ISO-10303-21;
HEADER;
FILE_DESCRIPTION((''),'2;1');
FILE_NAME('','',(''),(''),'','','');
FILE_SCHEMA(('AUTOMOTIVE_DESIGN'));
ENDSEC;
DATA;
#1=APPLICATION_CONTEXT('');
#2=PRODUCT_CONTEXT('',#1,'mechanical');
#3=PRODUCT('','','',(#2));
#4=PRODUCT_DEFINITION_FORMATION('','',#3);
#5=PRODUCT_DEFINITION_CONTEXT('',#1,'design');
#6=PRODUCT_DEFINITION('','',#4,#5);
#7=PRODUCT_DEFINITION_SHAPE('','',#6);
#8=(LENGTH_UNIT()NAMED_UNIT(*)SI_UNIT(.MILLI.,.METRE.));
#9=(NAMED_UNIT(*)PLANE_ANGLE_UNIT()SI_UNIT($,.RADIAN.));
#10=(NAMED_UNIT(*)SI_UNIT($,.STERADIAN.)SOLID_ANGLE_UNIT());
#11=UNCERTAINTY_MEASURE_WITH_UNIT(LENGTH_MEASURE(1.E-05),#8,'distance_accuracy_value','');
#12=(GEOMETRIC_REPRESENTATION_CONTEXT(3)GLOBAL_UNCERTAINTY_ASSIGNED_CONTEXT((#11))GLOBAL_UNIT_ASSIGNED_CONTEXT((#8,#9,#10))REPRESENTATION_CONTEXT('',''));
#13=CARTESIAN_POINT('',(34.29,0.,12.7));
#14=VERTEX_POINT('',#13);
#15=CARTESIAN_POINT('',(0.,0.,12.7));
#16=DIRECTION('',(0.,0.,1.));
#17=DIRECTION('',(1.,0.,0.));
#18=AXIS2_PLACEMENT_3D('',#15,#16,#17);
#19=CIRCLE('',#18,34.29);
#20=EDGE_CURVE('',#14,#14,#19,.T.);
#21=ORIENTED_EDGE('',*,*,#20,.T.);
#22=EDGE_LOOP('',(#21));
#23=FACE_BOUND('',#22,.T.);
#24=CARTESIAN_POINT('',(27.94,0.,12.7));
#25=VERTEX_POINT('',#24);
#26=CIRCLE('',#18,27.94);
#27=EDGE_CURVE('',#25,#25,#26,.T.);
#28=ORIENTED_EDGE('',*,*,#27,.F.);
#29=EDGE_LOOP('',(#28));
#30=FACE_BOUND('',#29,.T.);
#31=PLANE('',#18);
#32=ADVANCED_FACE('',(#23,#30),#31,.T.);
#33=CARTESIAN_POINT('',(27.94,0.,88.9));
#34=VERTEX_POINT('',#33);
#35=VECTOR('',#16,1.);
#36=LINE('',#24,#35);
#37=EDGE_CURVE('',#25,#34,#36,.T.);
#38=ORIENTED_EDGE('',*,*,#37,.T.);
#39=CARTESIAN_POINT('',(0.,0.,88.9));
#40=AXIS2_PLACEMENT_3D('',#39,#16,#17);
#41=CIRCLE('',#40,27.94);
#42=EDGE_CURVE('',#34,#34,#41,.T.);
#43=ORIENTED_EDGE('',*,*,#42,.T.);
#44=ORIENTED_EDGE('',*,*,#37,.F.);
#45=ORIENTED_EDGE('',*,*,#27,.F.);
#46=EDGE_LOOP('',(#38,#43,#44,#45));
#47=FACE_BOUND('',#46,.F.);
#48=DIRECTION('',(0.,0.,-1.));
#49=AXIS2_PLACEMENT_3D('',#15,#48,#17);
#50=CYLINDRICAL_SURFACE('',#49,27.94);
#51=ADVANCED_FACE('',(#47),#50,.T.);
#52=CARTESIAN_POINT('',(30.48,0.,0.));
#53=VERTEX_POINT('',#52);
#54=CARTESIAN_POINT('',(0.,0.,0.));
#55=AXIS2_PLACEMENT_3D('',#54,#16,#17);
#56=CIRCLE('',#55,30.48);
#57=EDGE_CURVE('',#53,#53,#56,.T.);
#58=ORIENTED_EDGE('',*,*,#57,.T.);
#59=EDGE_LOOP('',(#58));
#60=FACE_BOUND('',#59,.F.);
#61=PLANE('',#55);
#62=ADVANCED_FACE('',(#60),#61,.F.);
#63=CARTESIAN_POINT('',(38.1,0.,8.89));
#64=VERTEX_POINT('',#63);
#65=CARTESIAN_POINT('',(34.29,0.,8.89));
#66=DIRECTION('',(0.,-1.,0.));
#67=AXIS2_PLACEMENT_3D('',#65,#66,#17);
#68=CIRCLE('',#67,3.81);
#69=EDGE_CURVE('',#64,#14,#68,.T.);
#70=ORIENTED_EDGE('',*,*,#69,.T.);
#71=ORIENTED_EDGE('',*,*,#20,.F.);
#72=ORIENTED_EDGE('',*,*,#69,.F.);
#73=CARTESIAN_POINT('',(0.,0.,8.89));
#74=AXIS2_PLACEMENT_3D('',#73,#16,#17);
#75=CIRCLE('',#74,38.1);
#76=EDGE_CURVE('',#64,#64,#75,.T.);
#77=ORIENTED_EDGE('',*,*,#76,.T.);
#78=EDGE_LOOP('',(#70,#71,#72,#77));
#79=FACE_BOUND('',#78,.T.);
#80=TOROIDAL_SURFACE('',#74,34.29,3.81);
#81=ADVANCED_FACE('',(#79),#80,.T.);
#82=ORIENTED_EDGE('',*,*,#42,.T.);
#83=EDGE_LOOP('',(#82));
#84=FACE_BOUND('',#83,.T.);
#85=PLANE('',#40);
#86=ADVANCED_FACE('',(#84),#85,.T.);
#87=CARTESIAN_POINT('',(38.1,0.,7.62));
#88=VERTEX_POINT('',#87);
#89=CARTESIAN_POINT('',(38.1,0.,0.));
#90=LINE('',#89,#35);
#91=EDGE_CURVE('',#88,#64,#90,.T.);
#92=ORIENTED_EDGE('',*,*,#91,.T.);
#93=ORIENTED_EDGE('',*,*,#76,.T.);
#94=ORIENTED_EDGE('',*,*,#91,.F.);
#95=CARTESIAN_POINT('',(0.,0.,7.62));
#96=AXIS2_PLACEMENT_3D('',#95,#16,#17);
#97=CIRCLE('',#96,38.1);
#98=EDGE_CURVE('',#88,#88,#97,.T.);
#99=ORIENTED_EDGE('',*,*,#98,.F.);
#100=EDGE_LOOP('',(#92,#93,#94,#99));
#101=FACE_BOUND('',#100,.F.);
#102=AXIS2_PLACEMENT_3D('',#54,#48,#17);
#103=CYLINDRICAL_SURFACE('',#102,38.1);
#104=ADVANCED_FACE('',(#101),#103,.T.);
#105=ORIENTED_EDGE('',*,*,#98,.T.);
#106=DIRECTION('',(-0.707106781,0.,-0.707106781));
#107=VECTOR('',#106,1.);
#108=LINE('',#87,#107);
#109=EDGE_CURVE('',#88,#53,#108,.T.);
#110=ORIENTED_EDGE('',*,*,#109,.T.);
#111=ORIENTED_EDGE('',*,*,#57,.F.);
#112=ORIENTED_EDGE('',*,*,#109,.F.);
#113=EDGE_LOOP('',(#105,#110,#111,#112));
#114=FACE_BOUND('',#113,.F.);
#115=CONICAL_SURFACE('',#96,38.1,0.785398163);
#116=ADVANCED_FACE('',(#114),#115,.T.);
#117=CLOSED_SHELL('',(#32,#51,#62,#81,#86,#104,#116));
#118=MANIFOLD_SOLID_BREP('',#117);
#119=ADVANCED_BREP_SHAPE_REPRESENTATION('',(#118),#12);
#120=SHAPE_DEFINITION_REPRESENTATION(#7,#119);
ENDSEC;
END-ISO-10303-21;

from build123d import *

# Parameters (mm, degrees)
F0_R     = 38.1
F1_DEPTH = 12.7
F2_R     = 3.81
F3_SIZE  = 7.62
F4_R     = 27.94
F5_DEPTH = 76.2


with BuildPart() as f1:
    # F0 (on Top) → F1 (new body)
    with BuildSketch(Plane.XY):
        Circle(F0_R)
    extrude(amount=F1_DEPTH)

    # F2
    f2_edges = [f1.edges().sort_by_distance(p)[0] for p in [
        (-38.1, 0, 12.7),
    ]]
    fillet(f2_edges, radius=F2_R)

    # F3
    f3_edges = [f1.edges().sort_by_distance(p)[0] for p in [
        (-38.1, 0, 0),
    ]]
    chamfer(f3_edges, length=F3_SIZE)

    # F4 (on face) → F5 (join)
    with BuildSketch(Plane.XY.offset(12.7)):
        Circle(F4_R)
    extrude(amount=F5_DEPTH)


solid = f1.part
